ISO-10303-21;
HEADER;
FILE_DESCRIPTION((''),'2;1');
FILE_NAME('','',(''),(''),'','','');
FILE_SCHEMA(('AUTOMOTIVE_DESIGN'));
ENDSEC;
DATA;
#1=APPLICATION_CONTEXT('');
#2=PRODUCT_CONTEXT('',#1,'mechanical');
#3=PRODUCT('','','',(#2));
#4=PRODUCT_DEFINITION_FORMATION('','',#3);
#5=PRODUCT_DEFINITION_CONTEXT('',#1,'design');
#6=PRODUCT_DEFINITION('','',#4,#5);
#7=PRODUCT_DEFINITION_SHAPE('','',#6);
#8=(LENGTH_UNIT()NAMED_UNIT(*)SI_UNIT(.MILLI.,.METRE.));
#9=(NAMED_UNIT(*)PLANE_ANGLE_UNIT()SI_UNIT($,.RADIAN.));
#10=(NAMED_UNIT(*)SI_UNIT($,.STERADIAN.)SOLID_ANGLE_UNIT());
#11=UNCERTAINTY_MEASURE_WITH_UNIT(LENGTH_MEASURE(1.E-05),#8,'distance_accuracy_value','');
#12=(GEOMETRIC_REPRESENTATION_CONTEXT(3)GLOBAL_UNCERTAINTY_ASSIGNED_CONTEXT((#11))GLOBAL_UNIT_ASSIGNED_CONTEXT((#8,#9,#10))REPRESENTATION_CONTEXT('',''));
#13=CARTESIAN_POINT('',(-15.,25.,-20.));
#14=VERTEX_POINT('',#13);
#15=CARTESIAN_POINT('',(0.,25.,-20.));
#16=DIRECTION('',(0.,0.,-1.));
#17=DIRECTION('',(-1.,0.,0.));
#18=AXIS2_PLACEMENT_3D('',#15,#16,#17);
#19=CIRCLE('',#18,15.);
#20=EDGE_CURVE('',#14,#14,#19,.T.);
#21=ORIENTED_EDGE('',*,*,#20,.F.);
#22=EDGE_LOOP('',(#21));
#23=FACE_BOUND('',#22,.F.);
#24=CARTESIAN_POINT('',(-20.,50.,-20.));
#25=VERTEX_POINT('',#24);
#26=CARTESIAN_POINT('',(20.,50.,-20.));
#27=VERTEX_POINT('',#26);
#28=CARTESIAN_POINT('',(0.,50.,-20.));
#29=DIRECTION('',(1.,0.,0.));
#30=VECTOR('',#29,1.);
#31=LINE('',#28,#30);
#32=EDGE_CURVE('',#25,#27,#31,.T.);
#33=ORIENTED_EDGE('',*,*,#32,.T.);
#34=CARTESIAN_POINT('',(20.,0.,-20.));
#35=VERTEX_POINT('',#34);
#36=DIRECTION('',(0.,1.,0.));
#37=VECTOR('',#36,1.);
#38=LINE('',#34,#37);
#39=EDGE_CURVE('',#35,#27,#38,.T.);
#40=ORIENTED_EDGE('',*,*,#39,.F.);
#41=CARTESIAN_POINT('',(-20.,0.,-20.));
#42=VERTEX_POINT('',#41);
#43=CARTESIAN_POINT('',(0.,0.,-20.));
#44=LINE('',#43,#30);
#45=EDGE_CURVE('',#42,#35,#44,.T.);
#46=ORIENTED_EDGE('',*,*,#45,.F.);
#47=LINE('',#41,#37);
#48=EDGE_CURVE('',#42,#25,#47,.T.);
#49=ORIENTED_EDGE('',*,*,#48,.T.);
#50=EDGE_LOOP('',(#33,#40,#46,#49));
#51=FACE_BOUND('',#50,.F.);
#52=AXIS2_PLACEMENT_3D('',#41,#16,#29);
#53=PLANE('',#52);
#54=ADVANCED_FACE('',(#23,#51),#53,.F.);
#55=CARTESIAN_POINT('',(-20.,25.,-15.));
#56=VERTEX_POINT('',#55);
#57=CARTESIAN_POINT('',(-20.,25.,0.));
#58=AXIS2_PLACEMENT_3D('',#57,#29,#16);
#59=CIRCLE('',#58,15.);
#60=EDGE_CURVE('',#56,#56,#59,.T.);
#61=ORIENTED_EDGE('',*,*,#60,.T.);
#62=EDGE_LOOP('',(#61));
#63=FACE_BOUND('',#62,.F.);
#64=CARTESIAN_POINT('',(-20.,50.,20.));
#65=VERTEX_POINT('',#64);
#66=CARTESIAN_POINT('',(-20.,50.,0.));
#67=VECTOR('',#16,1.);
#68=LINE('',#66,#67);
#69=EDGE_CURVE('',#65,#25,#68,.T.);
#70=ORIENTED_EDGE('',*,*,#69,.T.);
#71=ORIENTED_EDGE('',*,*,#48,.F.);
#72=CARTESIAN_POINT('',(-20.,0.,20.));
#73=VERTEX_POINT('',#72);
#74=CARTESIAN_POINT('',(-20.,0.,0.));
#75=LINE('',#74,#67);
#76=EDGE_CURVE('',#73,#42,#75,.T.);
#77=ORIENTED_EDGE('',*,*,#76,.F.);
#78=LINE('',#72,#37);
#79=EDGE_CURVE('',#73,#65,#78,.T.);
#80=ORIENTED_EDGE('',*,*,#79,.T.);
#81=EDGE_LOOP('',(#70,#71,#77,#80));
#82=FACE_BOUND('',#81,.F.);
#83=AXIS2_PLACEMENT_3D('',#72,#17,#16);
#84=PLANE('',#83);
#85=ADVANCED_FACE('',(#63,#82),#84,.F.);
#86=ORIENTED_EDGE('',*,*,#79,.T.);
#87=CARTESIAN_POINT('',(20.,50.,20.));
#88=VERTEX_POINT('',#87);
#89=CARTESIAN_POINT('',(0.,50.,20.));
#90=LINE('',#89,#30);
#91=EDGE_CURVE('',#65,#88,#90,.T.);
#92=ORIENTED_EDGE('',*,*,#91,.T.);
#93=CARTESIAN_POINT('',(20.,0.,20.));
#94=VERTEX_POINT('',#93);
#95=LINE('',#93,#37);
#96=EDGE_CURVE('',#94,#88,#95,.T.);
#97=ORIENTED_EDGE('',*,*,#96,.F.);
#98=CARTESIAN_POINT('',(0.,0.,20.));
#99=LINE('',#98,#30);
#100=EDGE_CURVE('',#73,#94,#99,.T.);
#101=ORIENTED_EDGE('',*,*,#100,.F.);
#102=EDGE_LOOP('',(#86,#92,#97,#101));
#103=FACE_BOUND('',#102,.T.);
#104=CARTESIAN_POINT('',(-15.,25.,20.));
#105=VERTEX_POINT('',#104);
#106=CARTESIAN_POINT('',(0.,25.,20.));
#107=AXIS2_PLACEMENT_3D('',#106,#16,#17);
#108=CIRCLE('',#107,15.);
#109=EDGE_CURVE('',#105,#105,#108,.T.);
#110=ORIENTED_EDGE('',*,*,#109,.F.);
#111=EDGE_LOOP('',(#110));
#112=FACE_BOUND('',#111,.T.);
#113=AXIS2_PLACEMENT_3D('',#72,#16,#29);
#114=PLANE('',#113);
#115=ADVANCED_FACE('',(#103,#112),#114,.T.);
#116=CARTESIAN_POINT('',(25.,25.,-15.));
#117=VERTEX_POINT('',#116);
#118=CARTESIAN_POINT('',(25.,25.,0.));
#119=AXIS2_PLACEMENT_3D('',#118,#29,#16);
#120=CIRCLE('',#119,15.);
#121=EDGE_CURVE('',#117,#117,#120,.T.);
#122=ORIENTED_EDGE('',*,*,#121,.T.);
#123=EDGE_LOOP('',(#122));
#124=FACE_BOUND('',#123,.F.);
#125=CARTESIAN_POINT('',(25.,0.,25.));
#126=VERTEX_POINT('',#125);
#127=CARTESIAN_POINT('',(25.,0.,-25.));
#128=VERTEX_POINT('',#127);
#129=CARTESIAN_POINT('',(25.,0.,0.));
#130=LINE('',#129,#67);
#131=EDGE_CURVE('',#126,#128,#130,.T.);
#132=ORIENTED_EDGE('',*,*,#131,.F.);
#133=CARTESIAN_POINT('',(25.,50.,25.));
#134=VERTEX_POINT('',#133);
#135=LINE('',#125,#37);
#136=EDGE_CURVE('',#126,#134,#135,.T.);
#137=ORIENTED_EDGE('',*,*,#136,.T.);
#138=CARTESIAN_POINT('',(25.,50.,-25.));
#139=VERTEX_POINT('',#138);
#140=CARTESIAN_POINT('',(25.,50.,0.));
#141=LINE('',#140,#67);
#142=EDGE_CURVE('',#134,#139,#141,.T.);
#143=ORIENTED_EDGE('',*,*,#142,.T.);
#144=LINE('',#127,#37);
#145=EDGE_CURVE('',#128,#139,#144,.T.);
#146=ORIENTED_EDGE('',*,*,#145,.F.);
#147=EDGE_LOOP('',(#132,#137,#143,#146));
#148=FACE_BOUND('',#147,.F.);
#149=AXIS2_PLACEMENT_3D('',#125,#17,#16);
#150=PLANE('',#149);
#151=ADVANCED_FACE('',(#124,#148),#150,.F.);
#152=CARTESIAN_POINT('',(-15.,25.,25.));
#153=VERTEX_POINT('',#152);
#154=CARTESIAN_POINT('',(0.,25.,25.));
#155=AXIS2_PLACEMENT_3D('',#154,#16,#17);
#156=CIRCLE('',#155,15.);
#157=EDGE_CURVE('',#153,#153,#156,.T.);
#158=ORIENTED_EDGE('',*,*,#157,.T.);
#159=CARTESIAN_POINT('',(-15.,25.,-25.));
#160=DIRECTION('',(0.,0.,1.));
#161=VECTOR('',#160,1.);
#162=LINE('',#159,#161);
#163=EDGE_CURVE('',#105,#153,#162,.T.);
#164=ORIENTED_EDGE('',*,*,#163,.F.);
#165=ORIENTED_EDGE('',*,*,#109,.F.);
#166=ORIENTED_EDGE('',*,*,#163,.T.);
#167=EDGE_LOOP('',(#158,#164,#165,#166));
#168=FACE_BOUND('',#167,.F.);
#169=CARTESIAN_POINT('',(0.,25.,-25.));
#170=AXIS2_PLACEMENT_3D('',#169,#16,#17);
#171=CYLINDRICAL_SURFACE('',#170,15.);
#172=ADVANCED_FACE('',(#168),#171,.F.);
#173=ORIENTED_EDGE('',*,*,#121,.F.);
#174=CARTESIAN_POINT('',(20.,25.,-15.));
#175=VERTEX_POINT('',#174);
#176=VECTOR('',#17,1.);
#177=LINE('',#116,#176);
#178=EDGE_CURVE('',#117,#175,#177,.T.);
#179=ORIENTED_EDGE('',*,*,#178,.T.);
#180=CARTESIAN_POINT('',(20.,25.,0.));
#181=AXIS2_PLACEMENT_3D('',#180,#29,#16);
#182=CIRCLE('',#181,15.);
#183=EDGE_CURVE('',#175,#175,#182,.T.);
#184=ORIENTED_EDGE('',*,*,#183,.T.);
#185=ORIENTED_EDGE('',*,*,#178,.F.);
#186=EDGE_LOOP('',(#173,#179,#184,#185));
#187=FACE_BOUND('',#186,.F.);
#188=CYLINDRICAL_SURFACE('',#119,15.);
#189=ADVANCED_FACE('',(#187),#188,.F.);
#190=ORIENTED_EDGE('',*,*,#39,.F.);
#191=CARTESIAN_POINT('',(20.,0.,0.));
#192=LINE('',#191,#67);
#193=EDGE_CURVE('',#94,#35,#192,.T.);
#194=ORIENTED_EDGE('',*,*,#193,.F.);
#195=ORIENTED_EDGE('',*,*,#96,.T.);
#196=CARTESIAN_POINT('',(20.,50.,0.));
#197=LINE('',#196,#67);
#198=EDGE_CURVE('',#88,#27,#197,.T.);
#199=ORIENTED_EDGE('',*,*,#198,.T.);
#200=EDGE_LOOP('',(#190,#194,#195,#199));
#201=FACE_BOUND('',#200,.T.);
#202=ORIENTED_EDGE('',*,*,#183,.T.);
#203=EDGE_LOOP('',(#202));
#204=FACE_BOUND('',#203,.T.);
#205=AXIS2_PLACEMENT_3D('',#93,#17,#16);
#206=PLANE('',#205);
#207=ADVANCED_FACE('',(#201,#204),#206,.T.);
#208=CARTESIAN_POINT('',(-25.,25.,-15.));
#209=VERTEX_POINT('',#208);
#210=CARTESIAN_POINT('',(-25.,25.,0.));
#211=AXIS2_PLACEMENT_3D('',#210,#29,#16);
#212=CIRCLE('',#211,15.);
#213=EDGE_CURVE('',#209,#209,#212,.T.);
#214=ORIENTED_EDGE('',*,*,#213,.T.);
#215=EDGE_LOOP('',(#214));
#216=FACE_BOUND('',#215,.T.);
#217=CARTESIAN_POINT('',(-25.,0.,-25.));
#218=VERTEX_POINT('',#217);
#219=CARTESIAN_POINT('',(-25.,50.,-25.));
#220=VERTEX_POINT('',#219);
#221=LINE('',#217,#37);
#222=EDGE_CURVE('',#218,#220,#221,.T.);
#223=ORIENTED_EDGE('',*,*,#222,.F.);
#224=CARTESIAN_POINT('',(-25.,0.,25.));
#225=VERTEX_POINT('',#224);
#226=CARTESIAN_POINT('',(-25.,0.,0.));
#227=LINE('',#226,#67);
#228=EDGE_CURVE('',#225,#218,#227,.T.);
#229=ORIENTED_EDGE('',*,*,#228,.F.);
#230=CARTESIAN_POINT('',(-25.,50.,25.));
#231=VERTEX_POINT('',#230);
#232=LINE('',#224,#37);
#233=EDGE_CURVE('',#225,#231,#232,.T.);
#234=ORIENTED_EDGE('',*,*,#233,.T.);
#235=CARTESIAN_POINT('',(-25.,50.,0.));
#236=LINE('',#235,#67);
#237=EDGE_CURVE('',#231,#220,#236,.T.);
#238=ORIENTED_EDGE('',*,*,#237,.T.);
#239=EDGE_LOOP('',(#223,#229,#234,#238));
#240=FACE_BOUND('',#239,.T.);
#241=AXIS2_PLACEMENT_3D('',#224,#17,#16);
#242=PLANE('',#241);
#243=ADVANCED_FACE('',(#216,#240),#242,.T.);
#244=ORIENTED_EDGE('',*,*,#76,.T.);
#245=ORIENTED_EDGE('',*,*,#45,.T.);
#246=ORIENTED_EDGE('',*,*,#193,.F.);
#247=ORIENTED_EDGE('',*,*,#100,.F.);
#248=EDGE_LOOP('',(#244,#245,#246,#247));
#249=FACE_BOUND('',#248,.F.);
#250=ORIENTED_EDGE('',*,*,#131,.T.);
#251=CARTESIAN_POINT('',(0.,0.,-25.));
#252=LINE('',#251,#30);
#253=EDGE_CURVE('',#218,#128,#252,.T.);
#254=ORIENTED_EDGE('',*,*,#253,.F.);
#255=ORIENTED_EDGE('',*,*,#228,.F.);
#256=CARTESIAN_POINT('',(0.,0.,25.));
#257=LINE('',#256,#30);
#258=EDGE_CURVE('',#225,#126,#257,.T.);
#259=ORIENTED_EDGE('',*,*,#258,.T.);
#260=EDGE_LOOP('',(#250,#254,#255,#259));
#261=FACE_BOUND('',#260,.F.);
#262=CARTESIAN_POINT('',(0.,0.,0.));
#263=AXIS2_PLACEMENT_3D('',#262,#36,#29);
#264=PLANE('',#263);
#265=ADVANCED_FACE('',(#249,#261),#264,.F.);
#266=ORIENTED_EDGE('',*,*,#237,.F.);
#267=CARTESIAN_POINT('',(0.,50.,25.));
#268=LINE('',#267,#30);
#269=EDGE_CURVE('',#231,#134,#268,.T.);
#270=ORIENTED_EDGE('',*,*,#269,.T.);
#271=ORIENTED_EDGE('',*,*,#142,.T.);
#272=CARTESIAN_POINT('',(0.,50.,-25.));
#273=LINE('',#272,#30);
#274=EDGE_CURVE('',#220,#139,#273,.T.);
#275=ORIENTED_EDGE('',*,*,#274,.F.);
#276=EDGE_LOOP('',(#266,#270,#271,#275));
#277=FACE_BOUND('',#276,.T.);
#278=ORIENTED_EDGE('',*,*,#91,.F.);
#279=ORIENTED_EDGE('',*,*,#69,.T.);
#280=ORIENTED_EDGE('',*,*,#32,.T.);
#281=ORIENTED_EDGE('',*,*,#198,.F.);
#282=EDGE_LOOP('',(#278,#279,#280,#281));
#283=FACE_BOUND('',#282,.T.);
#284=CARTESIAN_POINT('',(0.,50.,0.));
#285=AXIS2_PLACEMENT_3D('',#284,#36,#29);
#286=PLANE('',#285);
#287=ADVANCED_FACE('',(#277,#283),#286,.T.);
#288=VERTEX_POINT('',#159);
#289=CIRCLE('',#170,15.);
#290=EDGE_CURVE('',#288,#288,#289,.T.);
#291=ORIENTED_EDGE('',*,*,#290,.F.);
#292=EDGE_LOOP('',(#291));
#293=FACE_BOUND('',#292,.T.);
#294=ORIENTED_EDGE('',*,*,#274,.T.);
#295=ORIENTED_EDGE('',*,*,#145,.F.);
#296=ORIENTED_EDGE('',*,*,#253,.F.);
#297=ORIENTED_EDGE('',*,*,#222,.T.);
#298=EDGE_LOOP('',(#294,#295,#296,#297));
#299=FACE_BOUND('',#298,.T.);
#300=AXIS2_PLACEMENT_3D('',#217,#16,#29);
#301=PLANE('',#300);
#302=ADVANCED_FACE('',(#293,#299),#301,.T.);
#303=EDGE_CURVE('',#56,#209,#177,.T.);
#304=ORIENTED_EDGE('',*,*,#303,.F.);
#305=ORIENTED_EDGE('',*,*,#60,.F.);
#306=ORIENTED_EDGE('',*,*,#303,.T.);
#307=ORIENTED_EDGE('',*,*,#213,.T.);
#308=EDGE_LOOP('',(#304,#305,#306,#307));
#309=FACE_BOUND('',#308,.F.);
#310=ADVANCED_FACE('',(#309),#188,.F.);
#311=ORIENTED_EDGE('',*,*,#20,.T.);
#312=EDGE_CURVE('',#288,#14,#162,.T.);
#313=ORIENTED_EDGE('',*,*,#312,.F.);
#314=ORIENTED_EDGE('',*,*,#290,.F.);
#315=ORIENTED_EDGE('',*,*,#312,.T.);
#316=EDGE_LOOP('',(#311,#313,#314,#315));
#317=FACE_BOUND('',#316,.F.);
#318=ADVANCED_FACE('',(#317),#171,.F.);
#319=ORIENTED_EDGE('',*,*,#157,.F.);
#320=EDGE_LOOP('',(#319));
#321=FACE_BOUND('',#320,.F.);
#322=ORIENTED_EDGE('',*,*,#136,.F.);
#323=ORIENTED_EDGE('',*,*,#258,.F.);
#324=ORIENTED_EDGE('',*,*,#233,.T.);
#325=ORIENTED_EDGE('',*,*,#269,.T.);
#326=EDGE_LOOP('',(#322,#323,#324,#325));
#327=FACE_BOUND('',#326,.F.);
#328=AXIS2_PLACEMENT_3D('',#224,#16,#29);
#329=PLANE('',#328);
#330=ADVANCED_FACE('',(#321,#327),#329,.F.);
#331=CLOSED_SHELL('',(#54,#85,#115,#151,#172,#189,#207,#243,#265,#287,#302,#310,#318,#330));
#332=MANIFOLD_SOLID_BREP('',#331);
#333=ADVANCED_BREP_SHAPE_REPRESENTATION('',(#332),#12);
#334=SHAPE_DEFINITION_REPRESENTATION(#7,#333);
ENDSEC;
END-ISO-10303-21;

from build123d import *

# Parameters (mm, degrees)
CROQUIS1_W              = 50
CROQUIS1_H              = 50
CROQUIS1_W_2            = 40
CROQUIS1_H_2            = 40
SALIENTE_EXTRUIR1_DEPTH = 50
CROQUIS2_R              = 15
CORTAR_EXTRUIR1_DEPTH   = 50
CROQUIS3_R              = 15
CORTAR_EXTRUIR2_DEPTH   = 50


with BuildPart() as part:
    # Croquis1 → Saliente-Extruir1 (new body)
    with BuildSketch(Plane(origin=(0, 0, 0), x_dir=(1, 0, 0), z_dir=(0, 1, 0))):
        Rectangle(CROQUIS1_W, CROQUIS1_H)
        Rectangle(CROQUIS1_W_2, CROQUIS1_H_2, mode=Mode.SUBTRACT)
    extrude(amount=SALIENTE_EXTRUIR1_DEPTH)

    # Croquis2 → Cortar-Extruir1 (cut)
    with BuildSketch(Plane(origin=(25, 0, 0), x_dir=(0, 0, -1), z_dir=(1, 0, 0))):
        with Locations((0, 25)):
            Circle(CROQUIS2_R)
    extrude(amount=-CORTAR_EXTRUIR1_DEPTH, mode=Mode.SUBTRACT)

    # Croquis3 → Cortar-Extruir2 (cut)
    with BuildSketch(Plane(origin=(0, 0, -25), x_dir=(-1, 0, 0), z_dir=(0, 0, -1))):
        with Locations((0, 25)):
            Circle(CROQUIS3_R)
    extrude(amount=-CORTAR_EXTRUIR2_DEPTH, mode=Mode.SUBTRACT)


solid = part.part
